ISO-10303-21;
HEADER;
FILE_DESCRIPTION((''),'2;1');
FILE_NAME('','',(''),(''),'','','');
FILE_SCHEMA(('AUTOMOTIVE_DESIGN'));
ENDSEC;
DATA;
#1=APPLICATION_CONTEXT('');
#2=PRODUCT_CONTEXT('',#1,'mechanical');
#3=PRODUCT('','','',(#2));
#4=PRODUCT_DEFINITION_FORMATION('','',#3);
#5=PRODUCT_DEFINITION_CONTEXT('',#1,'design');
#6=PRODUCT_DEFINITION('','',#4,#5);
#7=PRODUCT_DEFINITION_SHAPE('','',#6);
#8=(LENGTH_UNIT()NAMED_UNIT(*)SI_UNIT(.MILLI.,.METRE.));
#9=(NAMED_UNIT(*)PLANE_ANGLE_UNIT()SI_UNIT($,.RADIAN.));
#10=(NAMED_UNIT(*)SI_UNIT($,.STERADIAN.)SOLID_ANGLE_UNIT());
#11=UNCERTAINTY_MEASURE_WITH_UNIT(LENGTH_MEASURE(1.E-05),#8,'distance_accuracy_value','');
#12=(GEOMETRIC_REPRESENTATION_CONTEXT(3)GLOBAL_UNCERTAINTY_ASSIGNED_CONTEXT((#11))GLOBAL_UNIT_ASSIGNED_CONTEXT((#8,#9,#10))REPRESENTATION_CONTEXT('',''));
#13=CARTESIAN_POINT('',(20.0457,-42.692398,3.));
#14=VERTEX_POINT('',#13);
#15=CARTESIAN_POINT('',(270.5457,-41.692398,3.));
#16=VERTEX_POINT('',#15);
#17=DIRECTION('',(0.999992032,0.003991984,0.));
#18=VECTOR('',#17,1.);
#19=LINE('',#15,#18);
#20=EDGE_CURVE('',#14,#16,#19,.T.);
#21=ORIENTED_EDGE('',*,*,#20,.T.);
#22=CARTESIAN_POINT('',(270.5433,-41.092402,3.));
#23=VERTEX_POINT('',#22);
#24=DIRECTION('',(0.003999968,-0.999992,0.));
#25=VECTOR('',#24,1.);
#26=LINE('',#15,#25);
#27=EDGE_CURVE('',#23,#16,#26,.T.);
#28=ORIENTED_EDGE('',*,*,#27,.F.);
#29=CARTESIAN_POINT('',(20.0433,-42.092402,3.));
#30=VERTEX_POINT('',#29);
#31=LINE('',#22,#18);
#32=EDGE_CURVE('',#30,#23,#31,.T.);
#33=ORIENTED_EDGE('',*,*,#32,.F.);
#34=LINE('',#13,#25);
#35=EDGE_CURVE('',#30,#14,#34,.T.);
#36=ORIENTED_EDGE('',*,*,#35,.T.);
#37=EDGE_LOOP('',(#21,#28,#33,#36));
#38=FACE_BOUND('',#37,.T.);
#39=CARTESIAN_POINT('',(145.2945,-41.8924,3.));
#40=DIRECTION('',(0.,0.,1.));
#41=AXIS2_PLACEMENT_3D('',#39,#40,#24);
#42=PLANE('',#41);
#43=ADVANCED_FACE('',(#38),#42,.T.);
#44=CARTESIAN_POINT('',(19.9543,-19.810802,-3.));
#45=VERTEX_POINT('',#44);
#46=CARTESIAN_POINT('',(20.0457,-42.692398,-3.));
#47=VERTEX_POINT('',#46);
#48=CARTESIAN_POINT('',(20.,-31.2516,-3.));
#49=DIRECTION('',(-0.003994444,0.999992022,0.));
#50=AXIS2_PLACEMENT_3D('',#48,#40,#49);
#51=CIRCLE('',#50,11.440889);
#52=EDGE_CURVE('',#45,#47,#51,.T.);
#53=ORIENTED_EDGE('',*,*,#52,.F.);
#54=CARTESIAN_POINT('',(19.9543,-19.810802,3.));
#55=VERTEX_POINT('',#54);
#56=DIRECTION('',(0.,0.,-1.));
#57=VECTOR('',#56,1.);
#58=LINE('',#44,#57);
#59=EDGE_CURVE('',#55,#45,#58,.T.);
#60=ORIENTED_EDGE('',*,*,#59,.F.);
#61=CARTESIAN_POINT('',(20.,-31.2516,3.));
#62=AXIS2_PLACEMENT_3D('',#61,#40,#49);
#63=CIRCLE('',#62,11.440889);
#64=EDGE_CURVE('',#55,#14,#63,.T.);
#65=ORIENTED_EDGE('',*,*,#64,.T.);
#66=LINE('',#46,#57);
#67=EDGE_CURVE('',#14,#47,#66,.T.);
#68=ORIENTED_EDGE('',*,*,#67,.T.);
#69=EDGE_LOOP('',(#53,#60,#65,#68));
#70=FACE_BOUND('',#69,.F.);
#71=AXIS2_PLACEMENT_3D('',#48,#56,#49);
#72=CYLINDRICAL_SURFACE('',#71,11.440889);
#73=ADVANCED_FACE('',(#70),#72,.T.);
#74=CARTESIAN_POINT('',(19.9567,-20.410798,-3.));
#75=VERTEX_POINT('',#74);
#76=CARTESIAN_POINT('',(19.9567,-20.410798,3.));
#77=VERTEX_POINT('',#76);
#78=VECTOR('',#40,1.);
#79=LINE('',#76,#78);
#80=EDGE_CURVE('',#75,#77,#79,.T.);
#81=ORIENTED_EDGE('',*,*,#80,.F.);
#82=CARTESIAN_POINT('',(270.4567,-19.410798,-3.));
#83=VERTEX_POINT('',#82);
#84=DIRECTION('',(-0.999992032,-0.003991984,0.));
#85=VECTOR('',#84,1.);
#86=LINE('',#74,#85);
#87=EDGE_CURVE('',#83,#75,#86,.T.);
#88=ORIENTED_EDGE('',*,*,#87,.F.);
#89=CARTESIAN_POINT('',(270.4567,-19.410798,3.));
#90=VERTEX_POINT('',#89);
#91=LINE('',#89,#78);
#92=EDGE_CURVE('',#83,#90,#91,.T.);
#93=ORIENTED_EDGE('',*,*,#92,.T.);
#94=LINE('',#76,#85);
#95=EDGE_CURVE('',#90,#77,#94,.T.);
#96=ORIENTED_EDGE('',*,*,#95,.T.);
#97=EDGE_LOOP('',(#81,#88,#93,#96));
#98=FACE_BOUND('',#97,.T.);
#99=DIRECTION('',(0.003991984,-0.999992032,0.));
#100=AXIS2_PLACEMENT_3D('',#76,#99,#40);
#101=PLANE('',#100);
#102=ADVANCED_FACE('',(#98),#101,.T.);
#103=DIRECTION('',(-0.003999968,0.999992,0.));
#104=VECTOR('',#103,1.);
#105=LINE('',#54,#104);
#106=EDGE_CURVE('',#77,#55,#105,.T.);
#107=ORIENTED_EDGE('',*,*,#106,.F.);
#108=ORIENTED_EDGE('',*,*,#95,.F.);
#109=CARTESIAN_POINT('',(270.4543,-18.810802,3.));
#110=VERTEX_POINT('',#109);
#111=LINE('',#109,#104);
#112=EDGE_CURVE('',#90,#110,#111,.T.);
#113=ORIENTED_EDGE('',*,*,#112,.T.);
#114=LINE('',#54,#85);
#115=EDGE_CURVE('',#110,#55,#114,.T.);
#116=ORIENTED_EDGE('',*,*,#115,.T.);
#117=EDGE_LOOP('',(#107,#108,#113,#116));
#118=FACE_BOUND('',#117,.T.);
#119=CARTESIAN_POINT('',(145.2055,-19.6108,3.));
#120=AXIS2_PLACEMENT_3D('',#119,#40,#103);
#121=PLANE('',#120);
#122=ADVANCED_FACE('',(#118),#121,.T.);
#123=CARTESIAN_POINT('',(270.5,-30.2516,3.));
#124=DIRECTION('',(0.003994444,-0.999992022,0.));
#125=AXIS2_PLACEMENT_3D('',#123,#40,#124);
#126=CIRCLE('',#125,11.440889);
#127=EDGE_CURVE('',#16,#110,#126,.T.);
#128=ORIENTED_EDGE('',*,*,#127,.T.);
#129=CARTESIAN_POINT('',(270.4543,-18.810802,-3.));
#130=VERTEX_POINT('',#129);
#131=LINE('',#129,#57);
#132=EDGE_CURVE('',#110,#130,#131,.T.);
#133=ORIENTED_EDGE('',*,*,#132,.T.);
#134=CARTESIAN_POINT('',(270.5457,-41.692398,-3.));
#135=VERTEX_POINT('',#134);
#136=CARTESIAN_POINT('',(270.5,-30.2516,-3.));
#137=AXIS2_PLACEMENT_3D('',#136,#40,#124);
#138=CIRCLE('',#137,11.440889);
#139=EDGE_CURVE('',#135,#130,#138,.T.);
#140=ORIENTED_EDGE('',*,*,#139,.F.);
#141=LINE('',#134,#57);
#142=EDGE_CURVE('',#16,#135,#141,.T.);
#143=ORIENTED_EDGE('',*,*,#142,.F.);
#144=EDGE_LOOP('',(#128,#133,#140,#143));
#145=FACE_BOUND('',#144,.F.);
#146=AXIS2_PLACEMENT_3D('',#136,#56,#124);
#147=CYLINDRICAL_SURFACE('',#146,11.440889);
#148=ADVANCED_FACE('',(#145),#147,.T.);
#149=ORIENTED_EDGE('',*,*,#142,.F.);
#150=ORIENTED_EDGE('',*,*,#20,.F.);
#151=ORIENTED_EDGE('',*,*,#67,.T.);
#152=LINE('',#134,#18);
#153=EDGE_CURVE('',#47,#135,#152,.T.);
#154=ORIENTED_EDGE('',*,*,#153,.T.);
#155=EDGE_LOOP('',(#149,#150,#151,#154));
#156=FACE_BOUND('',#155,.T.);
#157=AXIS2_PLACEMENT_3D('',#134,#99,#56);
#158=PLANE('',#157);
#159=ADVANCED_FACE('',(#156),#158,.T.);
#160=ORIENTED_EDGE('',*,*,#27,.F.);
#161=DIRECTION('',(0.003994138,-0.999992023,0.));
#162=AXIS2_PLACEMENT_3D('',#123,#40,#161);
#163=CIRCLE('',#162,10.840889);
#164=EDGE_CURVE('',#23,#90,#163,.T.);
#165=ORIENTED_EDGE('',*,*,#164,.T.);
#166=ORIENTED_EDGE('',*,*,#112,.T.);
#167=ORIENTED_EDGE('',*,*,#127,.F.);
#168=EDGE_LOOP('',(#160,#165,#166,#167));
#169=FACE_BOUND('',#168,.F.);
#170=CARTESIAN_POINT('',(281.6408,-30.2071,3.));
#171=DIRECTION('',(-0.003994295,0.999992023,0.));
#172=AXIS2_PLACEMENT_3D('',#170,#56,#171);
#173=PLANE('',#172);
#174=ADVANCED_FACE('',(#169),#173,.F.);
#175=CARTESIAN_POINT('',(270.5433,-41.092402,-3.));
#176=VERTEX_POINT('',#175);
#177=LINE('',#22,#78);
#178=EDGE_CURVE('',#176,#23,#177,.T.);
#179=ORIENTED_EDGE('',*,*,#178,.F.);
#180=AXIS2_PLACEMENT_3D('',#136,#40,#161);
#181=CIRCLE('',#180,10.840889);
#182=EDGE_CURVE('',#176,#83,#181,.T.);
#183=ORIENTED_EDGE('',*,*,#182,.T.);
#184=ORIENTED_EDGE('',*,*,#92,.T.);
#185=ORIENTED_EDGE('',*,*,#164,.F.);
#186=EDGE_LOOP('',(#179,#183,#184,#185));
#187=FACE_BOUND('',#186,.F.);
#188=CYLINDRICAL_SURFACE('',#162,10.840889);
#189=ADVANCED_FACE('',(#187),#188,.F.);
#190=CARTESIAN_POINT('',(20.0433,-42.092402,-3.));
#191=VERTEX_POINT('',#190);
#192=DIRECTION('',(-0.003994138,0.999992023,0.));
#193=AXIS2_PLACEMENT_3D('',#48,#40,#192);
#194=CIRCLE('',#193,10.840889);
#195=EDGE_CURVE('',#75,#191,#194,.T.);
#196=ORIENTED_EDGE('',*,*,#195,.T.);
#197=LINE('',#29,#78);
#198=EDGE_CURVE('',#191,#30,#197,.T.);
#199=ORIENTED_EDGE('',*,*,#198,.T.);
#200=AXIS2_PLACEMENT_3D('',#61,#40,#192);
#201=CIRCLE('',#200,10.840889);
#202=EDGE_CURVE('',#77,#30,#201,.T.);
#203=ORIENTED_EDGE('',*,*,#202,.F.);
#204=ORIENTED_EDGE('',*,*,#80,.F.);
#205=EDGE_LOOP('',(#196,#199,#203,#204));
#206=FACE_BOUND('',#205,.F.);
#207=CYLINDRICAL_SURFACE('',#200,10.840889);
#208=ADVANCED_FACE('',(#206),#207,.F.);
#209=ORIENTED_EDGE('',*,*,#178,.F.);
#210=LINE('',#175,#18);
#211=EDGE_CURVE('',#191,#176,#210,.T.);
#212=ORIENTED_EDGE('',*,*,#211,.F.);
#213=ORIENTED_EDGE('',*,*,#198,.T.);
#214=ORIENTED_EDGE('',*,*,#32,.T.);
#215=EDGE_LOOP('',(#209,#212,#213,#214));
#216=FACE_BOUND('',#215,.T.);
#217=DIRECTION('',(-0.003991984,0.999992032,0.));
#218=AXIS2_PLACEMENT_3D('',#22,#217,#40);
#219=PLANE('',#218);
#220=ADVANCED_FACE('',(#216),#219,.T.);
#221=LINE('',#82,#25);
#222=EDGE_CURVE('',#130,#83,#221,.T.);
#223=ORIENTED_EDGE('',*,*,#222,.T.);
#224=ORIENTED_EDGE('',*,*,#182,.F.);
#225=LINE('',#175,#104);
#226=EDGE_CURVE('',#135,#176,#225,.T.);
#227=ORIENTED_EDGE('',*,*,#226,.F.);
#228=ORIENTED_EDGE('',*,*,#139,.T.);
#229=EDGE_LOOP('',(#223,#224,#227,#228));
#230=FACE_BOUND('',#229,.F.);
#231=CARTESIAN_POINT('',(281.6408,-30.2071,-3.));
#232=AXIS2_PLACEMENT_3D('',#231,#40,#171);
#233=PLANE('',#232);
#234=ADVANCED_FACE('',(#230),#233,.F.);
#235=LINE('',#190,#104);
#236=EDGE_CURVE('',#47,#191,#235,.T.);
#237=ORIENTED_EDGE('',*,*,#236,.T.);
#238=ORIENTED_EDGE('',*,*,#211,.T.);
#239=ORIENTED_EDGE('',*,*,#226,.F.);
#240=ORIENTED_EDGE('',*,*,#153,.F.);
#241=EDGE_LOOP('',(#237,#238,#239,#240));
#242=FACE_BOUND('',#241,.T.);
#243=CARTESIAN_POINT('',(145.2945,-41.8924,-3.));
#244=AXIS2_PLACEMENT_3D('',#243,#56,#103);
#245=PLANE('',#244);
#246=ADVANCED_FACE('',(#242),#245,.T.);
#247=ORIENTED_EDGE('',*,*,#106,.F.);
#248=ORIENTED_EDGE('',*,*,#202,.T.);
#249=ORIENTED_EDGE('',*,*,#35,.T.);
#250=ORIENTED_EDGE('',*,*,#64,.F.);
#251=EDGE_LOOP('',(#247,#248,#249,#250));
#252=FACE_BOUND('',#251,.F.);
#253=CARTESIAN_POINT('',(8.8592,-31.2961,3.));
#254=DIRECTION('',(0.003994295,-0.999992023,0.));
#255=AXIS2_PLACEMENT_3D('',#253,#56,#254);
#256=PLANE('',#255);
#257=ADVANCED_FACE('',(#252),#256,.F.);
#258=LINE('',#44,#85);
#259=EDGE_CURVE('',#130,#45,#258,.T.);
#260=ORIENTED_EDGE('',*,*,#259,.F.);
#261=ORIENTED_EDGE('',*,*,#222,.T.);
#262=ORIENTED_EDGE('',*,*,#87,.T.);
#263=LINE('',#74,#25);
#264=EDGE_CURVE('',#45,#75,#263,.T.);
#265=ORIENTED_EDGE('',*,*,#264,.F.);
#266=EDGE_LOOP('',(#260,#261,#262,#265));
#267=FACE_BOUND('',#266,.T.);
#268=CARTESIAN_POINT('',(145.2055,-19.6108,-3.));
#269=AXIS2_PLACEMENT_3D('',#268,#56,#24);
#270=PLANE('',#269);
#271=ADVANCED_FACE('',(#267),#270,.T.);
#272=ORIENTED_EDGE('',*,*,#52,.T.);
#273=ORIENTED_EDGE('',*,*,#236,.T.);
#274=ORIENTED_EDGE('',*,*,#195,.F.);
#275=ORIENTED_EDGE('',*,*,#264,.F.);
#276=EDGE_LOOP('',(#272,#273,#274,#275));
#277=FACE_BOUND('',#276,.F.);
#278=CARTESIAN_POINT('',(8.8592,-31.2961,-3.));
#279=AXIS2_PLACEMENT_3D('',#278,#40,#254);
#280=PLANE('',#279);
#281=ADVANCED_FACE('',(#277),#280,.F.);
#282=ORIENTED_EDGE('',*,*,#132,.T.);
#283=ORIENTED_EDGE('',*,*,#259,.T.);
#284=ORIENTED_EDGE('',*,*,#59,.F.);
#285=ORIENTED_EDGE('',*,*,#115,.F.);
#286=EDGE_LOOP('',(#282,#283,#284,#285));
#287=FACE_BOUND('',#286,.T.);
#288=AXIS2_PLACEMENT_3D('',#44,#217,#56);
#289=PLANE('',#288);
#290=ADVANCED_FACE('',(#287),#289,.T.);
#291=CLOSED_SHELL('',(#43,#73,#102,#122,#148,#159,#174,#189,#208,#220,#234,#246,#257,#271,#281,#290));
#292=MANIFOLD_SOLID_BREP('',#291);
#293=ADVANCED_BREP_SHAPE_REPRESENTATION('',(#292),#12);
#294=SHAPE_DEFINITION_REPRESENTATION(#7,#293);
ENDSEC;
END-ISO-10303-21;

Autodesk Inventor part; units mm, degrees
sketch "Sketch Path" plane through (0, 0, 0) normal (0, 0, 1) x (1, 0, 0)
  arc A0 (19.9555, -20.1108) -> (20.0445, -42.3924) centre (20, -31.2516) ccw
  arc A1 (270.5445, -41.3924) -> (270.4555, -19.1108) centre (270.5, -30.2516) ccw
  line L0 (270.5445, -41.3924) -> (20.0445, -42.3924)
  line L1 (19.9555, -20.1108) -> (270.4555, -19.1108)
  point P0 (10.0164, 35.326)
  point P1 (9.9836, 27.3683)
  point P2 (270.4836, 26.296)
  point P3 (270.5164, 34.2537)
  point P4 (9.9836, -27.3683)
  point P5 (10.0164, -35.326)
  point P6 (270.5164, -34.2537)
  point P7 (270.4836, -26.296)
  point P8 (20.2708, -20.2096)
  point P9 (20.3662, -42.482)
  point P10 (270.6308, -34.2516)
  point P11 (270.5967, -26.2972)
  point P12 (19.9523, -20.2064)
  point P13 (20.0477, -42.4879)
  point P14 (270.5477, -41.4156)
  point P15 (270.4523, -19.1341)
ref_plane "Cross Section Plane" through (20.0445, -42.3924, 0) normal (1, 0.004, 0) x (0, 0, 1)
ref_plane "Work Plane2" through (20, -31.2516, 0) normal (-1, 0, 0) x (0, 0, 1)
ref_plane "Work Plane3" through (270.5, -30.2516, 0) normal (-0.984, 0.1784, 0) x (0, 0, 1)
ref_plane "Work Plane4" through (20, -42.488, 0) normal (0, 0, -1) x (-1, 0, 0)
sketch3d "Sketch3"
feature "iSBeltToothT:1" [suppressed]
pattern_linear "Rectangular Pattern1" [suppressed]
sketch "Cross Section" plane through (20.0445, -42.3924, 0) normal (1, 0.004, 0) x (0, 0, 1)
  line L0 (-3, 0.3) -> (3, 0.3)
  line L1 (3, 0.3) -> (3, -0.3)
  line L2 (3, -0.3) -> (-3, -0.3)
  line L3 (-3, -0.3) -> (-3, 0.3)
  line L4 (-3, 0) -> (3, 0) construction
  point P0 (0, 0)
  point P1 (0, 0)
  dimension "d0" = 6
  dimension "d4" = 0.3
  dimension "d5" = 0.3
sweep "Belt" add profiles "Cross Section" path "Sketch Path"
fillet "Fillet1" [suppressed]
equation "\"d0\" = da_B"
equation "\"d4\" = da_a"
equation "\"d5\" = da_a2"
equation "\"d21\" = d13"
equation "\"d20\" = da_pb"
equation "\"da_B\" = 6"
equation "\"da_pb\" = 2.5"
equation "\"da_L\" = 571.00399"
equation "\"da_a\" = 0.3"
equation "\"da_S\" = 1.5"
equation "\"da_Beta\" = 20deg"
equation "\"da_Ht\" = 0.7"
equation "\"da_H\" = 1.3"
equation "\"da_a2\" = 0.3"
equation "\"d13\" = 0.2"
properties part number "Synchronous Belt" material "Rubber"
